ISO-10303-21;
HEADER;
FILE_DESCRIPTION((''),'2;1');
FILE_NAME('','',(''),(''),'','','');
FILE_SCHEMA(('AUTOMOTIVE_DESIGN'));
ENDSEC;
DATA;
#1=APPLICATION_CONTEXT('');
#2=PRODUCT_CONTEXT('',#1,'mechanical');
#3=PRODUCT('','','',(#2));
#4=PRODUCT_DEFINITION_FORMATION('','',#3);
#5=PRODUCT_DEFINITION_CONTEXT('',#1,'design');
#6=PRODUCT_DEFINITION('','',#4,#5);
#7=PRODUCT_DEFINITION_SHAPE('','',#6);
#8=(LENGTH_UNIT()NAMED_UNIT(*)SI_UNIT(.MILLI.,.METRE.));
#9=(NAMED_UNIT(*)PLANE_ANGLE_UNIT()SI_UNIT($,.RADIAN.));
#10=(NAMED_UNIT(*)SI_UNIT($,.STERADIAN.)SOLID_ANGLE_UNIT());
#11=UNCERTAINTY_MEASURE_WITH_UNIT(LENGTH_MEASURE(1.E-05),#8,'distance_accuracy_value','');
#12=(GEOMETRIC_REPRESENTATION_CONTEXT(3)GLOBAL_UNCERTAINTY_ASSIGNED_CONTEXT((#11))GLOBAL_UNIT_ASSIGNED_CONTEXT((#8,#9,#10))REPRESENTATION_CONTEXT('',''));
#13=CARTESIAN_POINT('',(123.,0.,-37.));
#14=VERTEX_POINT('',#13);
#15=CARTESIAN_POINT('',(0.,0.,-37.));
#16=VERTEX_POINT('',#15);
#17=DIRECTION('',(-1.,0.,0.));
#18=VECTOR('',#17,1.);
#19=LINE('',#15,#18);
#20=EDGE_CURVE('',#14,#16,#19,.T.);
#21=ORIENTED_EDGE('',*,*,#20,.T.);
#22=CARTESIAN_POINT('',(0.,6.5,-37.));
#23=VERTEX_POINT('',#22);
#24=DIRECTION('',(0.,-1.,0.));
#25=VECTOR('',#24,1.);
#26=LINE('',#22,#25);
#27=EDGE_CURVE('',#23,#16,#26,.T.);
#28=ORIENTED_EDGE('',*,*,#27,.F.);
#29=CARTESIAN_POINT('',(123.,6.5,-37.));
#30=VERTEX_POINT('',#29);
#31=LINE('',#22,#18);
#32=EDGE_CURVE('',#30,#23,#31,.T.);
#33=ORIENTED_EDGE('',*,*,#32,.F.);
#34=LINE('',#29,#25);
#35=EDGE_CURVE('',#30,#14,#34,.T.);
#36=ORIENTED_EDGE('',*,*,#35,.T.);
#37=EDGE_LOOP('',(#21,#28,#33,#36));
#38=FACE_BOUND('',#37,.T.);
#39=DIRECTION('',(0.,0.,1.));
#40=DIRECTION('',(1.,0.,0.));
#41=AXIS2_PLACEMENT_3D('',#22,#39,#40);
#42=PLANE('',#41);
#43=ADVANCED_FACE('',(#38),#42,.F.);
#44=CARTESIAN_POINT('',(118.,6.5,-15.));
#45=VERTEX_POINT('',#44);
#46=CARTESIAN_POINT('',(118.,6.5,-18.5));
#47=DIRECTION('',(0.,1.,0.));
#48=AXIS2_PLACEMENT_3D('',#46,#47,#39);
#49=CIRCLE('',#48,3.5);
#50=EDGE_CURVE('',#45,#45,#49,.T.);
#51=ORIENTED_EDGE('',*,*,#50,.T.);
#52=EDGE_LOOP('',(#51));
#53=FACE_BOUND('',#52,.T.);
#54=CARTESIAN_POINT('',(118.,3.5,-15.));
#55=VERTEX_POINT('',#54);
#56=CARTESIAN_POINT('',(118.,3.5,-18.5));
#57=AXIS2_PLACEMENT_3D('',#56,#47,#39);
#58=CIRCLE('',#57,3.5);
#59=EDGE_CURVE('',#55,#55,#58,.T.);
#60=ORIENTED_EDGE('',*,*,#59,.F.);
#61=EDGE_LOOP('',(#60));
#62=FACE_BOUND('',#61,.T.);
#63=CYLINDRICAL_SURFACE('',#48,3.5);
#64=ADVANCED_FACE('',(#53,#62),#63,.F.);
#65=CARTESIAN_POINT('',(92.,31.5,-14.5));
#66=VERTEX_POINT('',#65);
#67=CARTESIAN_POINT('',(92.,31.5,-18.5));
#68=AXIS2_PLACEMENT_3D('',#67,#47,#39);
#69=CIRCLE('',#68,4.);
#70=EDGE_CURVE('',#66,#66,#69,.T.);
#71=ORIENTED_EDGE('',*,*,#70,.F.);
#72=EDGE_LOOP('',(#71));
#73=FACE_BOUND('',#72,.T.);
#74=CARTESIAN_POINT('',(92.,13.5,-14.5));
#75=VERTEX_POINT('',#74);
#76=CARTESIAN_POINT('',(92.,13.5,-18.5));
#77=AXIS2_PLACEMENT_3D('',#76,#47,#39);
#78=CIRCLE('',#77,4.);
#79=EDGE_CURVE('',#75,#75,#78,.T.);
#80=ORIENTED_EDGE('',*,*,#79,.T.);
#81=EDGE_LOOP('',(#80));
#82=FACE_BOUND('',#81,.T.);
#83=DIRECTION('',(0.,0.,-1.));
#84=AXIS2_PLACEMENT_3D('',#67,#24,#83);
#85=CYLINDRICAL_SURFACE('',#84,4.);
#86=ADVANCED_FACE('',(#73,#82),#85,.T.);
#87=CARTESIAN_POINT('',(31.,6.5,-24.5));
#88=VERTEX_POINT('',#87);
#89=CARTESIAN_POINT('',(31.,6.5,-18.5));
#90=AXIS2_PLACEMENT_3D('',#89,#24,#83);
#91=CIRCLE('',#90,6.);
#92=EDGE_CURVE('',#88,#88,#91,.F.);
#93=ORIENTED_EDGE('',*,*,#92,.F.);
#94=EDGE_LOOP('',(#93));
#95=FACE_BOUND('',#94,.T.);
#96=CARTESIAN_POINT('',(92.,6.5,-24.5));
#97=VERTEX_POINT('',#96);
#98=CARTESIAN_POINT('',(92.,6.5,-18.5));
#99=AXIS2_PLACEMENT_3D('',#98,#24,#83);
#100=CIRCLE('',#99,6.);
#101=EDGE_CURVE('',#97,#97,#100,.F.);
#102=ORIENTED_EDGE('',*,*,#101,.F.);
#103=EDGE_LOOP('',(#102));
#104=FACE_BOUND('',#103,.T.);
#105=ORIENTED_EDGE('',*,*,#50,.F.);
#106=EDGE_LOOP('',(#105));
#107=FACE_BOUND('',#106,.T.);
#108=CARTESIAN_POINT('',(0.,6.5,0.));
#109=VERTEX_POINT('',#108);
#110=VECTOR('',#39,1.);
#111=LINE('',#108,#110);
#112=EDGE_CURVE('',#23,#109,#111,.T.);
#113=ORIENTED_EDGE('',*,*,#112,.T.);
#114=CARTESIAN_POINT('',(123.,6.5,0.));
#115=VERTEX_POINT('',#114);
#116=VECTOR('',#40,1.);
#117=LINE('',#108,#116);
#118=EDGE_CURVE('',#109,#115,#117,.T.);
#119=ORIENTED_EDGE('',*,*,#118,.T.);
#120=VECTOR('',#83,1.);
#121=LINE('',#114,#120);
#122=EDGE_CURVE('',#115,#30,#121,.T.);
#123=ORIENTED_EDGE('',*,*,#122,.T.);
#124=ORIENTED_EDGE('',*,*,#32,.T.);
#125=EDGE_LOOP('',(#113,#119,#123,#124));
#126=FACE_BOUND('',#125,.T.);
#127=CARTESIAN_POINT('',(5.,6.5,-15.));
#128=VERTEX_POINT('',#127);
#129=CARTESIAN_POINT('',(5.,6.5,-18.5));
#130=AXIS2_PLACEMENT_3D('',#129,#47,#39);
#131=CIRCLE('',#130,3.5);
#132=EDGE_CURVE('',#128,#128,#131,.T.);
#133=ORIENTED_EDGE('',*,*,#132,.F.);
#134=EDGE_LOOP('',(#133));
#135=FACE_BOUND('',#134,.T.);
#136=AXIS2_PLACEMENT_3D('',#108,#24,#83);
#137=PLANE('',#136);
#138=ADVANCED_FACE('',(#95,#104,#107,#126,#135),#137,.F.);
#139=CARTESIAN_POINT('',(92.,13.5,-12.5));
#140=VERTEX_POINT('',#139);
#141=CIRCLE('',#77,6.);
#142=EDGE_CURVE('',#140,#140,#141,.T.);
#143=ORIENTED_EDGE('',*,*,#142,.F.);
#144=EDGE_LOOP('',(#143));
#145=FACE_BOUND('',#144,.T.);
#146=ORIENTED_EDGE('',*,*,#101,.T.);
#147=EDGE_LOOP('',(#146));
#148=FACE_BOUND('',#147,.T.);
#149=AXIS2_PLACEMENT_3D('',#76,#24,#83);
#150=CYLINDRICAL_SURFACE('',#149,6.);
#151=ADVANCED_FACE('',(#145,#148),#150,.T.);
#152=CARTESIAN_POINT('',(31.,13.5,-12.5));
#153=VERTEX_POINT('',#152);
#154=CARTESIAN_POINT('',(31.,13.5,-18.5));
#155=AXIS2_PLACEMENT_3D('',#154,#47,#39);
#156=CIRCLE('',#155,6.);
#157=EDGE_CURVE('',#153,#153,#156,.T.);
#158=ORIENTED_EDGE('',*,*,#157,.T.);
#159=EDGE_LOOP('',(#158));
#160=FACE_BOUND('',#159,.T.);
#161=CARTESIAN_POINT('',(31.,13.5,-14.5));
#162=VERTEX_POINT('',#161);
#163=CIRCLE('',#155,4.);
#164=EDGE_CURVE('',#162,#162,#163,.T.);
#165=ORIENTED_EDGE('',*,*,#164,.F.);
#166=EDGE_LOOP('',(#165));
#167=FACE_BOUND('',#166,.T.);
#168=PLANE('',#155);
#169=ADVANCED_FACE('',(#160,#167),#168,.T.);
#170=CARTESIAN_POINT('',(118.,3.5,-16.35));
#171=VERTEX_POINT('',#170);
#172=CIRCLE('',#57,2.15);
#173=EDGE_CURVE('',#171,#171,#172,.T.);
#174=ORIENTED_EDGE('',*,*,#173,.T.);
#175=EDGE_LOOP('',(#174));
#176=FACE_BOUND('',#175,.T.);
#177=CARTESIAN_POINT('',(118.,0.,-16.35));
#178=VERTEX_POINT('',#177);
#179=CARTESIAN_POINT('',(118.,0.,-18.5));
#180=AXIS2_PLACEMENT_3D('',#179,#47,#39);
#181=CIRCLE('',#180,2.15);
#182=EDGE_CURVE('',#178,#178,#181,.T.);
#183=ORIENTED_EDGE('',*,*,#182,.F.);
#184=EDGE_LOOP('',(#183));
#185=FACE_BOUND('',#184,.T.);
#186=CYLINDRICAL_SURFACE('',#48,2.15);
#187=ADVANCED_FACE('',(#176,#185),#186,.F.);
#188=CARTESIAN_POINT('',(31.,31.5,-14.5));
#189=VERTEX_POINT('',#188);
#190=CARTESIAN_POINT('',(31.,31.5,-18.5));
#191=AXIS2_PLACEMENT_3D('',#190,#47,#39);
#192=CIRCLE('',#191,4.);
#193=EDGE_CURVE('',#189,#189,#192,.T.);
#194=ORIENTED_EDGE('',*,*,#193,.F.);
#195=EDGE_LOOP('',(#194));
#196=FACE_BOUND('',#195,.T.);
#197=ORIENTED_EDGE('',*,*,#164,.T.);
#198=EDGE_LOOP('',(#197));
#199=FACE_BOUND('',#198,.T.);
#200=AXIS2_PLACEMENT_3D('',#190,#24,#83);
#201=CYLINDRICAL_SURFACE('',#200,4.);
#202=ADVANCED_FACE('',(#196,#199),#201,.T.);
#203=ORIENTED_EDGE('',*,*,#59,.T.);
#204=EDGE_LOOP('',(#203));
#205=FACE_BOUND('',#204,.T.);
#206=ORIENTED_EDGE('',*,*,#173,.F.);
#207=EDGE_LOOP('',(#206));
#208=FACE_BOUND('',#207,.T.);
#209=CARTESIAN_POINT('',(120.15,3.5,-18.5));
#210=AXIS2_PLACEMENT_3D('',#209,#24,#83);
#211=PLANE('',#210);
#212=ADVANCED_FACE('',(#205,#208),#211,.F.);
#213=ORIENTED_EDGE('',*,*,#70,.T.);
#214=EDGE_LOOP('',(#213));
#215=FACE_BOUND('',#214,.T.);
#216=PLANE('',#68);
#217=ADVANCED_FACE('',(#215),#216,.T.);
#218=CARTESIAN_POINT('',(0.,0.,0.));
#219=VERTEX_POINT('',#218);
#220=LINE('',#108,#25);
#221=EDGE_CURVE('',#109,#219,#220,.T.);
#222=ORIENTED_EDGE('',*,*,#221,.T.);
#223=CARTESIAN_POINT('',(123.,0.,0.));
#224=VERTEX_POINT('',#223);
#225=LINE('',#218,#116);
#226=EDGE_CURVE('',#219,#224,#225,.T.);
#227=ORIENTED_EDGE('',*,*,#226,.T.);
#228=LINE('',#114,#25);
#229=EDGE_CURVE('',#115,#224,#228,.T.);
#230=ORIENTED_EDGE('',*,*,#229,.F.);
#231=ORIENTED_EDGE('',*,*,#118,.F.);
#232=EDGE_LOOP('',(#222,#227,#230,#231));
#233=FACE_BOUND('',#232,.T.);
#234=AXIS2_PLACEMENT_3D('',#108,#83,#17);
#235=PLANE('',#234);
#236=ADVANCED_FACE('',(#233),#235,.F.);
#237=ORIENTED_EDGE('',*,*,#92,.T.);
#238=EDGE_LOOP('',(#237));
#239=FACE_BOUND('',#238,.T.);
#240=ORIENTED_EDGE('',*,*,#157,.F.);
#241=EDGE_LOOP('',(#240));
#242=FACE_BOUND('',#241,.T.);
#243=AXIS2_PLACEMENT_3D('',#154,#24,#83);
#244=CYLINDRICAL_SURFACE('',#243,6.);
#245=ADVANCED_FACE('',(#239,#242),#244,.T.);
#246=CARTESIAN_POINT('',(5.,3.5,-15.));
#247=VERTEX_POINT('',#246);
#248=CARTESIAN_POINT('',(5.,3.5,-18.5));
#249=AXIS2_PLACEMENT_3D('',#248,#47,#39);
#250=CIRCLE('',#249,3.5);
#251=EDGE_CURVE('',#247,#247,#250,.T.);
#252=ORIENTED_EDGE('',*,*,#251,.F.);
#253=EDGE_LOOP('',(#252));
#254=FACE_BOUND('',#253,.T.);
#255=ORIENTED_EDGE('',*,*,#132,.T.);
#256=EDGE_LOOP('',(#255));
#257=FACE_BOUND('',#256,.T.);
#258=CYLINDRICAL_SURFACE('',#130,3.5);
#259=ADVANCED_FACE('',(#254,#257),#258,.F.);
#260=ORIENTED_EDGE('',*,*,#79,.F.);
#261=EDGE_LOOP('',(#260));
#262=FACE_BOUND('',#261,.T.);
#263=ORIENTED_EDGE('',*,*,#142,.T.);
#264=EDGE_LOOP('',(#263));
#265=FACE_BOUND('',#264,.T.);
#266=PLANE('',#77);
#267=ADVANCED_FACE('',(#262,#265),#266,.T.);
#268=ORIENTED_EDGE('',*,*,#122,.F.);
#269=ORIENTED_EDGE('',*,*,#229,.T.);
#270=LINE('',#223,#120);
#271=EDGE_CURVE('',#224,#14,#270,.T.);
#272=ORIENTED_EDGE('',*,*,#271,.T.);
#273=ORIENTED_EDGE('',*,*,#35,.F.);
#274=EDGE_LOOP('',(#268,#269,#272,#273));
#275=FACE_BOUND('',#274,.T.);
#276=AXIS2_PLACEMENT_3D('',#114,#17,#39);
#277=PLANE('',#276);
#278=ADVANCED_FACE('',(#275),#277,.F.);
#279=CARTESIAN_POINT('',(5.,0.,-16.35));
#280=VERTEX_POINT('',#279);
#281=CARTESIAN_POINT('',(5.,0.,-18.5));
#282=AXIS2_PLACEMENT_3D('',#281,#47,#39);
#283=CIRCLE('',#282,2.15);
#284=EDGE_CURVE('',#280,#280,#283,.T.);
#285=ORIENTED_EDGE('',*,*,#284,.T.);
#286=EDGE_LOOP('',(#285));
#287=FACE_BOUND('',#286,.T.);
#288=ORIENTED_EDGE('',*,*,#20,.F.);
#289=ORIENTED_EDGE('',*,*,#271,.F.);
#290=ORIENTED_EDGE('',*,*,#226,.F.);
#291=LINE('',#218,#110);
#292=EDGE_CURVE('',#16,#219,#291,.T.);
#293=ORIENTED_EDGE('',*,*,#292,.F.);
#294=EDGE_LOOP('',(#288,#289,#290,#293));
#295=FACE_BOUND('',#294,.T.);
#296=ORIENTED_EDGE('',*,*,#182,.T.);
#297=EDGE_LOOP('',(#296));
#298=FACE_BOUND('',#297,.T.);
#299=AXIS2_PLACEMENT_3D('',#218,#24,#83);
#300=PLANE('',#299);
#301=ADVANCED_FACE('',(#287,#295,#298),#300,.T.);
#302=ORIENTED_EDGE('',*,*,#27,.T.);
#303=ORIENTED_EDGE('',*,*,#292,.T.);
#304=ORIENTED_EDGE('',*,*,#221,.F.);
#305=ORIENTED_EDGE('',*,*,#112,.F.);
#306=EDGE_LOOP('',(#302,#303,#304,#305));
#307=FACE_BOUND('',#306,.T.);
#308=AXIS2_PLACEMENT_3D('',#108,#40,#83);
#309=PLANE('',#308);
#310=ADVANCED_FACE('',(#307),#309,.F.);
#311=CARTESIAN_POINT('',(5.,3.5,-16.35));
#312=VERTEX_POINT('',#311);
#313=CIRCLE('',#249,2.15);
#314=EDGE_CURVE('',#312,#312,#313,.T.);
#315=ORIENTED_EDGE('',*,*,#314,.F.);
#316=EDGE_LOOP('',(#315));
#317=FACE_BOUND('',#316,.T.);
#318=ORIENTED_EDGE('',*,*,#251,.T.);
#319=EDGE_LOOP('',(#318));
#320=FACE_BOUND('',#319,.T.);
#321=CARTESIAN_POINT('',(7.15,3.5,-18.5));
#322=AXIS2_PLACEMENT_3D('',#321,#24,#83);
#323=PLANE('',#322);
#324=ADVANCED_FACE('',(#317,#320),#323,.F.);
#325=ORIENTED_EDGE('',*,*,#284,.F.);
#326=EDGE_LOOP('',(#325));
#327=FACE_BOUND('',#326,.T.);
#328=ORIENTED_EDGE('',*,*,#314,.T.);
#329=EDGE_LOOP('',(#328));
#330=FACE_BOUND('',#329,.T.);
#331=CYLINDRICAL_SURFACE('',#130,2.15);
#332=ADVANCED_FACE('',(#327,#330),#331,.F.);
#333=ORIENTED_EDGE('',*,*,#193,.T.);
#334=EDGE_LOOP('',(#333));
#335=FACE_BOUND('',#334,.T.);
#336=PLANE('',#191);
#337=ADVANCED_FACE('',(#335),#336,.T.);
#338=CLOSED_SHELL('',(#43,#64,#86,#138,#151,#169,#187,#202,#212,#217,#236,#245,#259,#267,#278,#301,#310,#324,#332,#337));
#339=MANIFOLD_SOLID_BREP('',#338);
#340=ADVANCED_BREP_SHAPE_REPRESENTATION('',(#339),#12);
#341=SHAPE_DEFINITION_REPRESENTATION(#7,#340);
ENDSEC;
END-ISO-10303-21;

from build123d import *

# Parameters (mm, degrees)
SKETCH1_W                                        = 123
SKETCH1_H                                        = 37
BOSS_EXTRUDE1_DEPTH                              = 6.5
CBORE_FOR_M4_HEX_HEAD_MACHINE_SCREW1_D           = 4.3
CBORE_FOR_M4_HEX_HEAD_MACHINE_SCREW1_CBORE_D     = 7
CBORE_FOR_M4_HEX_HEAD_MACHINE_SCREW1_CBORE_DEPTH = 3
SKETCH7_R                                        = 4
BOSS_EXTRUDE2_DEPTH                              = 25
SKETCH8_R                                        = 6
BOSS_EXTRUDE3_DEPTH                              = 7


with BuildPart() as part:
    # Sketch1 → Boss-Extrude1 (new body)
    with BuildSketch(Plane(origin=(0, 0, 0), x_dir=(1, 0, 0), z_dir=(0, 1, 0))):
        with Locations((61.5, 18.5)):
            Rectangle(SKETCH1_W, SKETCH1_H)
    extrude(amount=BOSS_EXTRUDE1_DEPTH)

    # CBORE for M4 Hex Head Machine Screw1 (through all)
    with Locations(Plane(origin=(0, 6.5, 0), x_dir=(1, 0, 0), z_dir=(0, 1, 0))):
        with Locations((5, 18.5), (118, 18.5)):
            CounterBoreHole(CBORE_FOR_M4_HEX_HEAD_MACHINE_SCREW1_D / 2, CBORE_FOR_M4_HEX_HEAD_MACHINE_SCREW1_CBORE_D / 2, CBORE_FOR_M4_HEX_HEAD_MACHINE_SCREW1_CBORE_DEPTH)

    # Sketch7 → Boss-Extrude2 (add)
    with BuildSketch(Plane(origin=(0, 6.5, 0), x_dir=(1, 0, 0), z_dir=(0, 1, 0))):
        with Locations((31, 18.5)):
            Circle(SKETCH7_R)
        with Locations((92, 18.5)):
            Circle(SKETCH7_R)
    extrude(amount=BOSS_EXTRUDE2_DEPTH)

    # Sketch8 → Boss-Extrude3 (add)
    with BuildSketch(Plane(origin=(0, 6.5, 0), x_dir=(1, 0, 0), z_dir=(0, 1, 0))):
        with Locations((31, 18.5)):
            Circle(SKETCH8_R)
        with Locations((92, 18.5)):
            Circle(SKETCH8_R)
    extrude(amount=BOSS_EXTRUDE3_DEPTH)


solid = part.part
